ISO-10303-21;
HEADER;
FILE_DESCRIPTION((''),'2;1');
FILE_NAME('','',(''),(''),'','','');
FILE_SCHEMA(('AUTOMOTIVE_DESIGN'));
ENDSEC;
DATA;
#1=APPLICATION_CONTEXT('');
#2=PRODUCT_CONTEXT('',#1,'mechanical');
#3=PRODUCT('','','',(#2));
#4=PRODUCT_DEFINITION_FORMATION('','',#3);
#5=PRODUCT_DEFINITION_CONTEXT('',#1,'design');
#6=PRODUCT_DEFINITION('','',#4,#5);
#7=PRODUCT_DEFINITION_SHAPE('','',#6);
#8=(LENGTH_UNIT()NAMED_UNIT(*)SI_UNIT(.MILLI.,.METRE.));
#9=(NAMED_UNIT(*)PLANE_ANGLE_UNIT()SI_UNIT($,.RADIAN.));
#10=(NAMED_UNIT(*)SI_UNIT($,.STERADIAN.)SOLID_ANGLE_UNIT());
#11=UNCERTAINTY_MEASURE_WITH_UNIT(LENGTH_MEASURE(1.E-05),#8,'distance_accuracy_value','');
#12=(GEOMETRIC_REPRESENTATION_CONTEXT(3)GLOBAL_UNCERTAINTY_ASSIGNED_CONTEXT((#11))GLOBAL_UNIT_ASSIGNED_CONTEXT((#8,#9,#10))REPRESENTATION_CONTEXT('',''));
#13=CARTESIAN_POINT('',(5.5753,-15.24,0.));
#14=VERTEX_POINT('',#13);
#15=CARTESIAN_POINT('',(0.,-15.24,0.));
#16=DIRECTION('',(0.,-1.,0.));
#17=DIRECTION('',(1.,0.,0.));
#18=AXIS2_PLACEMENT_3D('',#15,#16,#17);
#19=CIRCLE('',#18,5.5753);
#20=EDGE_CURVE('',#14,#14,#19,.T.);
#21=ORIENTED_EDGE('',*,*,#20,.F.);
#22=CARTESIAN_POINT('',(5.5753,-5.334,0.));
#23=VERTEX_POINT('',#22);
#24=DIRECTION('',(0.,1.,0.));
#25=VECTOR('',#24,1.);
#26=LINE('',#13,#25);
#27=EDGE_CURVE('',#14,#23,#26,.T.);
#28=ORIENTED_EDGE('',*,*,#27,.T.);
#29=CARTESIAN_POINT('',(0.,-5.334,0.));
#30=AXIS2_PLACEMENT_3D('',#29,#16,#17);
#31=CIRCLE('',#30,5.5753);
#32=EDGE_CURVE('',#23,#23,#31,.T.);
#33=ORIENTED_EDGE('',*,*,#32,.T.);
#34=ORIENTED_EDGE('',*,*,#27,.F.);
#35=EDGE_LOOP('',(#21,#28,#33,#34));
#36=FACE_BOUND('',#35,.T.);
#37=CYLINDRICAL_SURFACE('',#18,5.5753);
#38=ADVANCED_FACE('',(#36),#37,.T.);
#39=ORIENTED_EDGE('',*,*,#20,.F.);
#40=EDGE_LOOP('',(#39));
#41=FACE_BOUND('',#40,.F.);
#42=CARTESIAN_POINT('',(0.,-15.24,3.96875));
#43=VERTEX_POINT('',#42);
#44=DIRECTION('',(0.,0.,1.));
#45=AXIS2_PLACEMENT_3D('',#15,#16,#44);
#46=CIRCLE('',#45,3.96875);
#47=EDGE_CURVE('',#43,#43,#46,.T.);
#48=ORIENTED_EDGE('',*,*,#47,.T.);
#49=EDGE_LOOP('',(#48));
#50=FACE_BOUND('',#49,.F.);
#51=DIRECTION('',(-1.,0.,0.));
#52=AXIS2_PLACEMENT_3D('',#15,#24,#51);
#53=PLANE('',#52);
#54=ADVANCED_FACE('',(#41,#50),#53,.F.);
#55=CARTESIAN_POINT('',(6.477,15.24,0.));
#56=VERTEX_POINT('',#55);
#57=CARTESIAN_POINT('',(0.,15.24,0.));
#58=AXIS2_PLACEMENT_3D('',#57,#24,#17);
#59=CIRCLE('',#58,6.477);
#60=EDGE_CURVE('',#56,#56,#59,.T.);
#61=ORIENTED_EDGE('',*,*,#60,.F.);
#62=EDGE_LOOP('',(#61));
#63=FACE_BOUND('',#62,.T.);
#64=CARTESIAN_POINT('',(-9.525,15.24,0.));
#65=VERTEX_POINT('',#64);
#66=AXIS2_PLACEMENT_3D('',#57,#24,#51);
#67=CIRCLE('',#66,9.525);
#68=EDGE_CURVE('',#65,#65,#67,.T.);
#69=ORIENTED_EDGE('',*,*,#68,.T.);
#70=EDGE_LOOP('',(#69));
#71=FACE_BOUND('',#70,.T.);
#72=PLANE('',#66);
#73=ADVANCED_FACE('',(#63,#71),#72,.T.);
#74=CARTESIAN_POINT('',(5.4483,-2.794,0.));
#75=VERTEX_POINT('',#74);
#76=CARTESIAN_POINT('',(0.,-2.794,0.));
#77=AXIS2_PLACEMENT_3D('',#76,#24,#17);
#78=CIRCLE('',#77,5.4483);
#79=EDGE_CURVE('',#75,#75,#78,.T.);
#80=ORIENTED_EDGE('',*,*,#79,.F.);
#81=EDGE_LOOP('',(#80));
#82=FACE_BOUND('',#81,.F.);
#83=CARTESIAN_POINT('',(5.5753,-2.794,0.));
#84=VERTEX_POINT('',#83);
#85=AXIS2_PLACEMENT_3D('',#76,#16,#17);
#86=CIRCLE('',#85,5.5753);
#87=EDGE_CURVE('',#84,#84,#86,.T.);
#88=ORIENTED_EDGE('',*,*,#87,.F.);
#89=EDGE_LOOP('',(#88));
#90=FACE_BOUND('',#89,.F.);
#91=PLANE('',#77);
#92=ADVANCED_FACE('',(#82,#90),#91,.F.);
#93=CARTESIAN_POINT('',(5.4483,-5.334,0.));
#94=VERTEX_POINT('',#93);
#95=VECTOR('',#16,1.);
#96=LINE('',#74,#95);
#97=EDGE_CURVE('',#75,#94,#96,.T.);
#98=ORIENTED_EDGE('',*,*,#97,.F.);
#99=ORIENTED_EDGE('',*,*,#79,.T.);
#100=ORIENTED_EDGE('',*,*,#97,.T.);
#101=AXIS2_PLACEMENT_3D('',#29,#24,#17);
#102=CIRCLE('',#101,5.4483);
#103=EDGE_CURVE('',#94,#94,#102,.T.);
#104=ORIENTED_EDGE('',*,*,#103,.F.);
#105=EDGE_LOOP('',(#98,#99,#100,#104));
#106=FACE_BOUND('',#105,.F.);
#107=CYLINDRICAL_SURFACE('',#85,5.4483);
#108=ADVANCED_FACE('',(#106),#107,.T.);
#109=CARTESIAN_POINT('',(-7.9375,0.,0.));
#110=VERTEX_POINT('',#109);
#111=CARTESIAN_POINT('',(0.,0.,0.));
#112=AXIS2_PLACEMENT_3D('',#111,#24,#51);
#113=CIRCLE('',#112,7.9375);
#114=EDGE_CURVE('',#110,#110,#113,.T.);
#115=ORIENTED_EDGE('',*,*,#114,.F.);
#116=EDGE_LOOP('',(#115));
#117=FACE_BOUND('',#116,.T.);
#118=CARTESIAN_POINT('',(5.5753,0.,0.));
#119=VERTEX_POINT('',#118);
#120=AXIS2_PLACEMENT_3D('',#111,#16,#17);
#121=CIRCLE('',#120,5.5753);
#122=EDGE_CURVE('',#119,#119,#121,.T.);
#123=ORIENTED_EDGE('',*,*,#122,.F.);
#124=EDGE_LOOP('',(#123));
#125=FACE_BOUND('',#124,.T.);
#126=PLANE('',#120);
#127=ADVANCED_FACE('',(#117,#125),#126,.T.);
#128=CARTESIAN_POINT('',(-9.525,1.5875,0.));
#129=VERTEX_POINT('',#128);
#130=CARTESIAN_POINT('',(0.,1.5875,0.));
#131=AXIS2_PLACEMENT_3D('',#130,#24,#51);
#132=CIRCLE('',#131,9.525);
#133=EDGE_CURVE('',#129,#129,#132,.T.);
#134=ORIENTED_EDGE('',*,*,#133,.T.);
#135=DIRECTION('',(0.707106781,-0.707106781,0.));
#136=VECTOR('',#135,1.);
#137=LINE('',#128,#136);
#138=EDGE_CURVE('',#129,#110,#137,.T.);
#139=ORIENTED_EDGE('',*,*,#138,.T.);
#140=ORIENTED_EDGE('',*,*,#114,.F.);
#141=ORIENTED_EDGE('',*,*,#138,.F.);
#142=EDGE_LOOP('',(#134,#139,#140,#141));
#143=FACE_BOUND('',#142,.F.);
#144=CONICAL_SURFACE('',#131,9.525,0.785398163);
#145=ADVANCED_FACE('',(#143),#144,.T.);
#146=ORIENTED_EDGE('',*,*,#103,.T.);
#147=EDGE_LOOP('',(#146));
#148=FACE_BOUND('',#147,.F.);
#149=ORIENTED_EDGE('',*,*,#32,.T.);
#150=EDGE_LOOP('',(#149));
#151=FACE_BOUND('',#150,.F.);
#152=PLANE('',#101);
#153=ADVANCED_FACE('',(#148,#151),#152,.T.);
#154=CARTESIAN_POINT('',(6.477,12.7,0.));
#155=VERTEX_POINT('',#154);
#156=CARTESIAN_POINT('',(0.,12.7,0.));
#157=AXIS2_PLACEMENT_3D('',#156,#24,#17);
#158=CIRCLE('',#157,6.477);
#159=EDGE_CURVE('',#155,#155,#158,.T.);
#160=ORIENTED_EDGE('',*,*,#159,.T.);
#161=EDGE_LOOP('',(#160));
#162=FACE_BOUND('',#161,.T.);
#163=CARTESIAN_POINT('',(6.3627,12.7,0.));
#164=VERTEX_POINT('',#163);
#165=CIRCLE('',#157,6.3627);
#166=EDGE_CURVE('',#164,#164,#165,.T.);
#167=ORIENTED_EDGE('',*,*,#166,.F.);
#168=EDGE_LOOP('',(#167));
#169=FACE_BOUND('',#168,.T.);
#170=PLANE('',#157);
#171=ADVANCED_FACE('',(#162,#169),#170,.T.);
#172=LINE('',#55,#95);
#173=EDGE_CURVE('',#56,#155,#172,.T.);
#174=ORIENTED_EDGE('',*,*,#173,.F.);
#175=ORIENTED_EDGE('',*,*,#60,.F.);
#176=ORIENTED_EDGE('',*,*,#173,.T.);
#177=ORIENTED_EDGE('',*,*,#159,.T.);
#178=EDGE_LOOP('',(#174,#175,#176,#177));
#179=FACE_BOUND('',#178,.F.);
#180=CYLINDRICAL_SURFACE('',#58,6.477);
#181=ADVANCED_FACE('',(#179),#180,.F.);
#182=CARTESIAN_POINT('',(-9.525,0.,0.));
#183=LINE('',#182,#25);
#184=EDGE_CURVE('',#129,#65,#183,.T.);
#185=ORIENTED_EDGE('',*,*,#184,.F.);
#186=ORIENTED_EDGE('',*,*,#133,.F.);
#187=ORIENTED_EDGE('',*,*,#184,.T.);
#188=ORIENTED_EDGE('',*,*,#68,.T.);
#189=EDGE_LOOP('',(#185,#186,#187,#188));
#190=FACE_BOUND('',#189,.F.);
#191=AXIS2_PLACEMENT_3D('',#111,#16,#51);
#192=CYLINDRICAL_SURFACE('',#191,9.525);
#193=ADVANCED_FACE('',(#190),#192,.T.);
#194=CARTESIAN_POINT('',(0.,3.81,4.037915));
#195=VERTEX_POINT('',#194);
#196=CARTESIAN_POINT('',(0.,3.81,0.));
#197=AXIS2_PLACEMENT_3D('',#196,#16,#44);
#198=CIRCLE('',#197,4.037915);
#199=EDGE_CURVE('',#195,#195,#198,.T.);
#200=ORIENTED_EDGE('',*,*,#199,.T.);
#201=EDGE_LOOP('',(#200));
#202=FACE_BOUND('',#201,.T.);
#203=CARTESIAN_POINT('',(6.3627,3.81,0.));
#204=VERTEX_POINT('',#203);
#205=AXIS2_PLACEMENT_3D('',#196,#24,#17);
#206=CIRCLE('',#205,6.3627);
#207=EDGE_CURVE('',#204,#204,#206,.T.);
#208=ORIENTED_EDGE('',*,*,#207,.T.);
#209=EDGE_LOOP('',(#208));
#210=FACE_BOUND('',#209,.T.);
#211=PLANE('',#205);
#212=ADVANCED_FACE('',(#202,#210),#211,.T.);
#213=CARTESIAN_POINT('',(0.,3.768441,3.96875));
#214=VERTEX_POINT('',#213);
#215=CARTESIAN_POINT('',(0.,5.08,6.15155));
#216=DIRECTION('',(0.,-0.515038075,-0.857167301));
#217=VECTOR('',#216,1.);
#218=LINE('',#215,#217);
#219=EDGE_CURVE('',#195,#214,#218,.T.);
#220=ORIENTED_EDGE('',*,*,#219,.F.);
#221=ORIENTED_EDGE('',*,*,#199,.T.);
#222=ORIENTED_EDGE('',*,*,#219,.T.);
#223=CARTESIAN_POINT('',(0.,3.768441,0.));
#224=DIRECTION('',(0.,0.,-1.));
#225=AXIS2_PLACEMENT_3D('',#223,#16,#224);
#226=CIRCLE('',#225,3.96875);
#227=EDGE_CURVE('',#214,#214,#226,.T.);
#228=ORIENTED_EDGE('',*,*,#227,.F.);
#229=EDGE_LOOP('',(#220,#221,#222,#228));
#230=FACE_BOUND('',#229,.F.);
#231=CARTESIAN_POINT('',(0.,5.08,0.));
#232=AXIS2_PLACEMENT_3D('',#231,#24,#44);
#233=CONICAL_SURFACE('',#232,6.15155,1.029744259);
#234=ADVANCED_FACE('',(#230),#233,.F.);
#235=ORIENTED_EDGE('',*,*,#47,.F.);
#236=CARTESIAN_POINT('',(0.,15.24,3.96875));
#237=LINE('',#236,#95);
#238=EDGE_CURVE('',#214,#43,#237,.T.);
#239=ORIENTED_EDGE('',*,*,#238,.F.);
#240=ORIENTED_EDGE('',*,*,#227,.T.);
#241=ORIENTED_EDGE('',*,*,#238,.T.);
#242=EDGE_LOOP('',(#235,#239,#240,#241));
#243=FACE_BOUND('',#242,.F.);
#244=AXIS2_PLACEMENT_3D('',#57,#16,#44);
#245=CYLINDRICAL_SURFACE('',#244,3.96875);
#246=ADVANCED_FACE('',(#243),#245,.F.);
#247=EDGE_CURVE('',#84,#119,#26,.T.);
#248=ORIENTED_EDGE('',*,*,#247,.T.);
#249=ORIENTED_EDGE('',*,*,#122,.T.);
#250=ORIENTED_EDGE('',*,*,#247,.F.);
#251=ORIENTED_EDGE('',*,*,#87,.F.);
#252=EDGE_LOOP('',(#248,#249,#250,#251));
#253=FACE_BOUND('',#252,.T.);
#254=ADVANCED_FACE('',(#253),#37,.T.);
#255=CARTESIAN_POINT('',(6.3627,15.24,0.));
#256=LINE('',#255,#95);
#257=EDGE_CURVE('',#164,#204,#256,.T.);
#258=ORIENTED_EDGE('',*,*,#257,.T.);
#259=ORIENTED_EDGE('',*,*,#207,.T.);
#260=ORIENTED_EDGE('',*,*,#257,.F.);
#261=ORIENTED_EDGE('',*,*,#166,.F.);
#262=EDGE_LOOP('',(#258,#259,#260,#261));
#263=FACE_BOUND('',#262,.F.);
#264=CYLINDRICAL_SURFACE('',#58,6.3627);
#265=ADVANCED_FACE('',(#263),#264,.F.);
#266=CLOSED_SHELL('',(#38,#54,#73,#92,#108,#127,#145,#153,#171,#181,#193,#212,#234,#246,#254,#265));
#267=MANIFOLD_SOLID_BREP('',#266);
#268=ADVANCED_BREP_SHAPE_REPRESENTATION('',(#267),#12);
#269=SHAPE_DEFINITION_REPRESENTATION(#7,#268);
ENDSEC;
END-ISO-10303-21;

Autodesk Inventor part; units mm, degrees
ref_plane "YZ Plane" through (0, 0, 0) normal (1, 0, 0) x (0, 1, 0)
ref_plane "XZ Plane" through (0, 0, 0) normal (0, 1, 0) x (-1, 0, 0)
ref_plane "XY Plane" through (0, 0, 0) normal (0, 0, 1) x (1, 0, 0)
sketch "Sketch1" plane through (0, 0, 0) normal (0, 1, 0) x (-1, 0, 0)
  circle A0 centre (0, 0) radius 9.525
  dimension "d0" = 19.05
extrude "Extrusion1" add sketch "Sketch1" along normal mid plane 30.48
sketch "Sketch3" plane through (0, 15.24, 0) normal (0, 1, 0) x (1, 0, 0)
  point P0 (0, 0)
  point P1 (0, 0)
hole "Hole1" at (0, 15.24, 0) direction (0, -1, 0) diameter 7.9375 end through all
sketch "Sketch4" plane through (0, 15.24, 0) normal (0, 1, 0) x (1, 0, 0)
  point P0 (0, 0)
  point P1 (0, 0)
hole "Hole2" at (0, 15.24, 0) direction (0, -1, 0) diameter 12.3031 depth 10.16 tip angle 118
sketch "Sketch5" plane through (0, 15.24, 0) normal (0, 1, 0) x (1, 0, 0)
  circle A0 centre (0, 0) radius 6.3627
  dimension "d20" = 12.7254
extrude "Extrusion3" cut sketch "Sketch5" against normal blind 11.43
sketch "Sketch6" plane through (0, 15.24, 0) normal (0, 1, 0) x (1, 0, 0)
  circle A0 centre (0, 0) radius 6.477
  dimension "d23" = 12.954
extrude "Extrusion4" cut sketch "Sketch6" against normal blind 2.54
sketch "Sketch7" plane through (0, -15.24, 0) normal (0, -1, 0) x (1, 0, 0)
  circle A0 centre (0, 0) radius 9.525
  circle A1 centre (0, 0) radius 9.525 projected
  circle A2 centre (0, 0) radius 5.5753
  dimension "d26" = 11.1506
extrude "Extrusion5" cut sketch "Sketch7" against normal blind 15.24
sketch "Sketch9" plane through (0, 0, 0) normal (0, 0, 1) x (1, 0, 0)
  line L0 (3.9688, -15.24) -> (-3.9688, -15.24) projected
  line L1 (0, -15.24) -> (0, -4.064) construction
  line L2 (0, -15.24) -> (11.176, -15.24) construction
  line L3 (0, -4.064) -> (5.5753, -4.064) construction
  line L4 (5.5753, -15.24) -> (5.5753, 0) projected
  line L5 (5.7023, -2.794) -> (5.4483, -2.794)
  line L6 (5.4483, -2.794) -> (5.4483, -5.334)
  line L7 (5.4483, -5.334) -> (5.7023, -5.334)
  line L8 (5.7023, -5.334) -> (5.7023, -2.794)
  line L9 (5.7023, -2.794) -> (5.4483, -5.334) construction
  line L10 (5.4483, -2.794) -> (5.7023, -5.334) construction
  point P0 (0, 0)
  dimension "d35" = 11.176
  dimension "d36" = 90
  dimension "d38" = 90
  dimension "d39" = 0.254
  dimension "d40" = 2.54
revolve "Revolution1" cut sketch "Sketch9" angle 360 about axis through (0, -15.24, 0) along (0, 1, 0)
chamfer "Chamfer2" distance 1.5875 angle 45 1 edges at (9.525, 0, 0)
properties part number "fridge bushing" material "Brass"
